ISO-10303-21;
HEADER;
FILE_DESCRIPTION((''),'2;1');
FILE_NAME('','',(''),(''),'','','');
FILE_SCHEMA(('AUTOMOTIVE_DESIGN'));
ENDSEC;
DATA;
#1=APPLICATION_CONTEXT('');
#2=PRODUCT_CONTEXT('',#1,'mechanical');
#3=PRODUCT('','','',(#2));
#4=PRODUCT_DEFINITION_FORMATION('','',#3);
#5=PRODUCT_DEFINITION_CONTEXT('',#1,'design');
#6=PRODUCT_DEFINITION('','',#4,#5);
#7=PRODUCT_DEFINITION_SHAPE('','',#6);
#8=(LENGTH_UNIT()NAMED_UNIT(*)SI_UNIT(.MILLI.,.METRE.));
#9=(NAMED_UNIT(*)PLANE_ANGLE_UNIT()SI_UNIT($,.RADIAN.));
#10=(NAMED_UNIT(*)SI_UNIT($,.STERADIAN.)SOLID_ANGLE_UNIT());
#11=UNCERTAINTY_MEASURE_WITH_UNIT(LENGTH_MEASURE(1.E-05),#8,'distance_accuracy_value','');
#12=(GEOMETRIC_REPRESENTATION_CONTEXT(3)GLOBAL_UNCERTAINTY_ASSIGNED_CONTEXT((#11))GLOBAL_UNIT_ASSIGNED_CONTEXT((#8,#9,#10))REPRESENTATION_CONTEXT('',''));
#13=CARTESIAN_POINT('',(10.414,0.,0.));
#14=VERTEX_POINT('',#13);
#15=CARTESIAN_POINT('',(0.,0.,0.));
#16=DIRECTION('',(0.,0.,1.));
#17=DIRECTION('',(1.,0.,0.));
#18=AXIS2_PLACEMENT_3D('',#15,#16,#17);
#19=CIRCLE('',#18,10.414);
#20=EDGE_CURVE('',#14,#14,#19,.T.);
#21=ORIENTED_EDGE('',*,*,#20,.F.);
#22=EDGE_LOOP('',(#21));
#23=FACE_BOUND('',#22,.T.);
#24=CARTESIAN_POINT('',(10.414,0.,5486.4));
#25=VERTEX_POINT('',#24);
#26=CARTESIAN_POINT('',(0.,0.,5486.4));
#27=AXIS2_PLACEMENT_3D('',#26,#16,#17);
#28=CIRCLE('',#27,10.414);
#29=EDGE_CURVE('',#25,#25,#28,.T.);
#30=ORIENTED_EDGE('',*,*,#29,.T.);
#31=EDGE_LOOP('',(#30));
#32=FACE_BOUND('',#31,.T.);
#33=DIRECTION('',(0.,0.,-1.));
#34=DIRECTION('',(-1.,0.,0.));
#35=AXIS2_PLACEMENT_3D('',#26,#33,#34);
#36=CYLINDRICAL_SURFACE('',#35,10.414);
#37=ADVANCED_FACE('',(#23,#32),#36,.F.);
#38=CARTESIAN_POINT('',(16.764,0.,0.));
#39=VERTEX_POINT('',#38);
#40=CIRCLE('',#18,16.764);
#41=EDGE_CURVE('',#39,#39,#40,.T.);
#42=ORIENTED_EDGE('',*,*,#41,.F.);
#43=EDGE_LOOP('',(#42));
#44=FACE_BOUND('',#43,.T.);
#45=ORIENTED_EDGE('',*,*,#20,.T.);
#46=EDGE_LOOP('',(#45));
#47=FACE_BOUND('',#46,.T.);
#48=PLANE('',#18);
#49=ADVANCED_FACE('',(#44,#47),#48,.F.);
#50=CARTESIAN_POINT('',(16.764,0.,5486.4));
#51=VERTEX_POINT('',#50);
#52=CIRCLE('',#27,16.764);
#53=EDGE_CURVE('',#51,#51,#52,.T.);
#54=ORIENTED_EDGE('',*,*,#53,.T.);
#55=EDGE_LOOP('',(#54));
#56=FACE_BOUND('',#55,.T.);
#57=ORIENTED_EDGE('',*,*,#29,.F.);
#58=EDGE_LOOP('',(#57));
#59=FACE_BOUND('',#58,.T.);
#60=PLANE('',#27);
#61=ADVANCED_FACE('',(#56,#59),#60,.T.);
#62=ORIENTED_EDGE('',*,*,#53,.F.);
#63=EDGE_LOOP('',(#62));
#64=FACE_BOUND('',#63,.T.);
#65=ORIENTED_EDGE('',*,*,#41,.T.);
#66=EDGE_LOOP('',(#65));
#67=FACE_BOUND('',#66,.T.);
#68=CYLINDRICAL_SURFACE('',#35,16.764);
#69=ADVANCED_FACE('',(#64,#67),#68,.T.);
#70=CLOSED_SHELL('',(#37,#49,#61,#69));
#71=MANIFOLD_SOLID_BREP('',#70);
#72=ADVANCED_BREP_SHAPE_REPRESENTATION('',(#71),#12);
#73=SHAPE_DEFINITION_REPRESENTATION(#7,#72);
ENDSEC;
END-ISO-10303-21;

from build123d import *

# Parameters (mm, degrees)
PIPESKETCH_R    = 16.764
PIPESKETCH_R_2  = 10.414
EXTRUSION_DEPTH = 5486.4


with BuildPart() as part:
    # PipeSketch → Extrusion (new body)
    with BuildSketch(Plane.XY):
        Circle(PIPESKETCH_R)
        Circle(PIPESKETCH_R_2, mode=Mode.SUBTRACT)
    extrude(amount=EXTRUSION_DEPTH)


solid = part.part
